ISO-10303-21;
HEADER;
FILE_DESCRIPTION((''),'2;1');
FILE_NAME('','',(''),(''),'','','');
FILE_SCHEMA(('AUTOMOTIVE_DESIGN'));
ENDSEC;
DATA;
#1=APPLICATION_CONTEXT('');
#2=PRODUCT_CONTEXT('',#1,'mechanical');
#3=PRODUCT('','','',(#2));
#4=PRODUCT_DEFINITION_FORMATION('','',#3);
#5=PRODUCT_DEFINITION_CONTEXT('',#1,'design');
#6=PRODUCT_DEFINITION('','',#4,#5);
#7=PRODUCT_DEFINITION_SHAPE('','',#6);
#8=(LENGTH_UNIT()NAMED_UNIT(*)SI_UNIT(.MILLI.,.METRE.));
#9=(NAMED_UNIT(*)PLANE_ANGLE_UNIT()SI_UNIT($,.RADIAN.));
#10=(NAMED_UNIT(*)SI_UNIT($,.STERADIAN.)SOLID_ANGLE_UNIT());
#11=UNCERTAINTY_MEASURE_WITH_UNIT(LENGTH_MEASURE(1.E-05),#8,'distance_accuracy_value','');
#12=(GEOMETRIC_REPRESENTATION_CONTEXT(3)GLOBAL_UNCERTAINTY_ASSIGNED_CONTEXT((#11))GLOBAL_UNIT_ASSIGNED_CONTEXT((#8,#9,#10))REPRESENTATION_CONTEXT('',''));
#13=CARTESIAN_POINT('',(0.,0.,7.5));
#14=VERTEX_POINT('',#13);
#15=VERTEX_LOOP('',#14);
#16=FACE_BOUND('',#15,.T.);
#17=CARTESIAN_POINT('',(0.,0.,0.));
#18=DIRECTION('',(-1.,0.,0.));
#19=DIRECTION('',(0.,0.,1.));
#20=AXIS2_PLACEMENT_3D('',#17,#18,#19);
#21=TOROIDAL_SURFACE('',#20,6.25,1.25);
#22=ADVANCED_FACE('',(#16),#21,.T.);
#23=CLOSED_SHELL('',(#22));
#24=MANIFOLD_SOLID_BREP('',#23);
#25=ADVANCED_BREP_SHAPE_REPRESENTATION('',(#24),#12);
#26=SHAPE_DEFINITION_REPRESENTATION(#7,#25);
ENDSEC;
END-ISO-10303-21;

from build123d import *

# Parameters (mm, degrees)
ESQUISSE1_R = 1.25


with BuildPart() as part:
    # Esquisse1 → Révolution1 (revolve)
    with BuildSketch(Plane.XY, mode=Mode.PRIVATE) as r_volution1_sk:
        with Locations((0, 6.25)):
            Circle(ESQUISSE1_R)
    revolve(r_volution1_sk.sketch.rotate(Axis((-17.272, 0, 0), (1, 0, 0)), 90), axis=Axis((-17.272, 0, 0), (1, 0, 0)))


solid = part.part
